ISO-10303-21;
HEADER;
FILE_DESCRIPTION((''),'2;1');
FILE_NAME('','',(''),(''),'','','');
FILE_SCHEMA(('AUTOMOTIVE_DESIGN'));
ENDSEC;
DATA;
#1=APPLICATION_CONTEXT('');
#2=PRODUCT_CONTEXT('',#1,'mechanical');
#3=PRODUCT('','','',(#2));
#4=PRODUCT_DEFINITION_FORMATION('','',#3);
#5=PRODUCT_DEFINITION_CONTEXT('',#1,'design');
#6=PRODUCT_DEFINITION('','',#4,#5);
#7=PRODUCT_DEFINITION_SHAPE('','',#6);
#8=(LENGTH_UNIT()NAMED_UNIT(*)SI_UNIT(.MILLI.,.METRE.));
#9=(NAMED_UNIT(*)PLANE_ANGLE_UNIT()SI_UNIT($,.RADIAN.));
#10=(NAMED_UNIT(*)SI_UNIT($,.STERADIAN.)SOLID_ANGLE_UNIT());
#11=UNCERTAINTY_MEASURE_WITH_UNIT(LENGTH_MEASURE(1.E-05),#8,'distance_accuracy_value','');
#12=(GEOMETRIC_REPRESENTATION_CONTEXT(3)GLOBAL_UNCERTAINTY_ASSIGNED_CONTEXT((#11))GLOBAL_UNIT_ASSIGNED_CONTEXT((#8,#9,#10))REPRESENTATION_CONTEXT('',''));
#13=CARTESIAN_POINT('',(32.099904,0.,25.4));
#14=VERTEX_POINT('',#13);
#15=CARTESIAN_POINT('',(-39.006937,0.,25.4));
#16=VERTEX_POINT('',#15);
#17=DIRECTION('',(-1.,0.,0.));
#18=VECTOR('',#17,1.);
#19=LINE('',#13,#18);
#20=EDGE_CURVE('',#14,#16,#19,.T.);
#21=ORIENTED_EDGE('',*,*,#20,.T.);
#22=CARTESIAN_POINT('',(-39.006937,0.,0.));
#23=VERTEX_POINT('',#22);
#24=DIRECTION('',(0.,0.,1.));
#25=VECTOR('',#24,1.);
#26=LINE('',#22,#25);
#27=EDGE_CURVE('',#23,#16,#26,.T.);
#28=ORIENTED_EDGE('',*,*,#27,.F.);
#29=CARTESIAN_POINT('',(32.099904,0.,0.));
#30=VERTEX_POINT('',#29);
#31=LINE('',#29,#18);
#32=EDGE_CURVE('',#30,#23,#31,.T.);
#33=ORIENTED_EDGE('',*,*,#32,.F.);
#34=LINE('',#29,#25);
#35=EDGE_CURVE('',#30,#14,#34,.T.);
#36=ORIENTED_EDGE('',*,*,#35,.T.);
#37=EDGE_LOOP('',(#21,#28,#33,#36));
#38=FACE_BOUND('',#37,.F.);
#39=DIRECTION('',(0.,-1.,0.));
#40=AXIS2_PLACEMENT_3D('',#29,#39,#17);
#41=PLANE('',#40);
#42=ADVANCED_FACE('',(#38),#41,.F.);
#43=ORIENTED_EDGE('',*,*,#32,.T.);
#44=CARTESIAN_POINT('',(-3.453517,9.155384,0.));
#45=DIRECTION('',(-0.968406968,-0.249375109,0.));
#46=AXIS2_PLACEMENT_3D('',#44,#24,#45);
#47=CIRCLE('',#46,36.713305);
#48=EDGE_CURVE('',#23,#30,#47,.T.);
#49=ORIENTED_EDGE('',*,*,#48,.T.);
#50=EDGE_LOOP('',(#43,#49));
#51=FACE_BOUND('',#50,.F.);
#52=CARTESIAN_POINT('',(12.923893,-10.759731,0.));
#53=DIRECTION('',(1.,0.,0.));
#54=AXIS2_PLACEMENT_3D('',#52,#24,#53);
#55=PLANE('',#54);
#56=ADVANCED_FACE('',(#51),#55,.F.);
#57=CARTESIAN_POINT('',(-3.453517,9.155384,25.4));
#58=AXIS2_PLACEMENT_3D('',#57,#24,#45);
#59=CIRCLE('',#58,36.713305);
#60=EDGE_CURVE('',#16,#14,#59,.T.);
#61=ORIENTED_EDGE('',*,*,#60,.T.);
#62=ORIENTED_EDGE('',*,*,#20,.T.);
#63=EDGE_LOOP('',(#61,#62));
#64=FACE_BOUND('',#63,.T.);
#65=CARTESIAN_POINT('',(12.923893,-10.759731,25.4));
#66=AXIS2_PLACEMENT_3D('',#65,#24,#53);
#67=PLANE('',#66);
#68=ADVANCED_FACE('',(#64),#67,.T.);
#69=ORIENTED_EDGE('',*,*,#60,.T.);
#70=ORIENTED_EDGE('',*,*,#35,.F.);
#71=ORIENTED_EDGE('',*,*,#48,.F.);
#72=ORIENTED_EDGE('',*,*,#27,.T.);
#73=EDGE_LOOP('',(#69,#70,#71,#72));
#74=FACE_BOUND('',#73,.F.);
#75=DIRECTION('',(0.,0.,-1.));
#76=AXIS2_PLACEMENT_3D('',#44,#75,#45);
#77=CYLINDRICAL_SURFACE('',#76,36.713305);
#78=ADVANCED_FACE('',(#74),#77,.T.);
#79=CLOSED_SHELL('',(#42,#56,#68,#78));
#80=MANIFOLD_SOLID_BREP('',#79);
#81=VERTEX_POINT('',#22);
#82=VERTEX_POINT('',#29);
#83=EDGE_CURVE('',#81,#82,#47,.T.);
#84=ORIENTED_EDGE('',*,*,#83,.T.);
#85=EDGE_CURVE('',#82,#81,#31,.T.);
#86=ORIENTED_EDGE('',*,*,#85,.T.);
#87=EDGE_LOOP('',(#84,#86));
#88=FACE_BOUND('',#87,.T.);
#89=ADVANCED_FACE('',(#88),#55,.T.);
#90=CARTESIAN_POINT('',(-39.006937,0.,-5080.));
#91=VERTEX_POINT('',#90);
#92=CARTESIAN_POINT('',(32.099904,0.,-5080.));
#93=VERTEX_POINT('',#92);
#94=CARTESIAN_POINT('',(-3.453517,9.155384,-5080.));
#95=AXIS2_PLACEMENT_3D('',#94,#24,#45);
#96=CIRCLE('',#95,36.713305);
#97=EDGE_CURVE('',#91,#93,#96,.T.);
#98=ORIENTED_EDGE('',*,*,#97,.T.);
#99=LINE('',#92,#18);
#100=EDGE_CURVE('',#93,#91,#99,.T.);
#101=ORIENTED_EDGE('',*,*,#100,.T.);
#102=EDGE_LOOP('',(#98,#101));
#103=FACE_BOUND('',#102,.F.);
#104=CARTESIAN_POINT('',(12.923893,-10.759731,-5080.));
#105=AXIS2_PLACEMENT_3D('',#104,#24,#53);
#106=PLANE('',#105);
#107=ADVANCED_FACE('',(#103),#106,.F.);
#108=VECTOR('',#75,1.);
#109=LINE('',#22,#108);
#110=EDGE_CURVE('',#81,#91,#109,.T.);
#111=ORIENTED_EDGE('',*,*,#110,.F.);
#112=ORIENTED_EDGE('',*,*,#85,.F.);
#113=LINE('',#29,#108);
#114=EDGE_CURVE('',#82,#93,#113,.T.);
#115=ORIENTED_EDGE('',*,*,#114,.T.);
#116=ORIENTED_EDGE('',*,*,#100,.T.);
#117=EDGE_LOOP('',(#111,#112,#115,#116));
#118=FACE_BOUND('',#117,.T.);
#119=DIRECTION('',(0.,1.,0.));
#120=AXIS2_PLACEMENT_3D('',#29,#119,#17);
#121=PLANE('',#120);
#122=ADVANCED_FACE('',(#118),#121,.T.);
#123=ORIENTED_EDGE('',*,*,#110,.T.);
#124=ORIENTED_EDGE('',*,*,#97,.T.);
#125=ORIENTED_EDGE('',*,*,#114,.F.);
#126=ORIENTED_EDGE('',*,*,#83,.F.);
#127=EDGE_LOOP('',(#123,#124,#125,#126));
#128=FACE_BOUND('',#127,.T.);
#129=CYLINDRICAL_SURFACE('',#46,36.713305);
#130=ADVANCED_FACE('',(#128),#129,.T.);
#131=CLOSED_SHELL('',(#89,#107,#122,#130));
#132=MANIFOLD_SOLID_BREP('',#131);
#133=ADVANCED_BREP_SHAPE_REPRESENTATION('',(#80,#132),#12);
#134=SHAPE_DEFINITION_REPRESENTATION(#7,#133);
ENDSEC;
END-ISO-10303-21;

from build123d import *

# Parameters (mm, degrees)
F2_DEPTH = 25.4
F3_DEPTH = 5080


with BuildPart() as f2:
    # F0 (on Top) → F2 (new body)
    with BuildSketch(Plane.XY):
        with BuildLine():
            Line((32.0999036126, 0), (0, 0))
            Line((0, 0), (0, -27.3951284102))
            ThreePointArc((0, -27.3951284102), (20.3794132076, -18.7705571692), (32.0999036126, 0))
        make_face()
        with BuildLine():
            Line((0, -27.3951284102), (0, 0))
            Line((0, 0), (-39.0069372318, 0))
            ThreePointArc((-39.0069372318, 0), (-24.5538537296, -20.8886257755), (0, -27.3951284102))
        make_face()
    extrude(amount=F2_DEPTH)


with BuildPart() as f3:
    # F3 (new): a face of the model
    f3_faces = [f2.part.faces().sort_by_distance(p)[0] for p in [
        (-3.4535168096, -11.4786175033, 0),
    ]]
    extrude(f3_faces, amount=F3_DEPTH)


solid = Compound([f2.part, f3.part])
